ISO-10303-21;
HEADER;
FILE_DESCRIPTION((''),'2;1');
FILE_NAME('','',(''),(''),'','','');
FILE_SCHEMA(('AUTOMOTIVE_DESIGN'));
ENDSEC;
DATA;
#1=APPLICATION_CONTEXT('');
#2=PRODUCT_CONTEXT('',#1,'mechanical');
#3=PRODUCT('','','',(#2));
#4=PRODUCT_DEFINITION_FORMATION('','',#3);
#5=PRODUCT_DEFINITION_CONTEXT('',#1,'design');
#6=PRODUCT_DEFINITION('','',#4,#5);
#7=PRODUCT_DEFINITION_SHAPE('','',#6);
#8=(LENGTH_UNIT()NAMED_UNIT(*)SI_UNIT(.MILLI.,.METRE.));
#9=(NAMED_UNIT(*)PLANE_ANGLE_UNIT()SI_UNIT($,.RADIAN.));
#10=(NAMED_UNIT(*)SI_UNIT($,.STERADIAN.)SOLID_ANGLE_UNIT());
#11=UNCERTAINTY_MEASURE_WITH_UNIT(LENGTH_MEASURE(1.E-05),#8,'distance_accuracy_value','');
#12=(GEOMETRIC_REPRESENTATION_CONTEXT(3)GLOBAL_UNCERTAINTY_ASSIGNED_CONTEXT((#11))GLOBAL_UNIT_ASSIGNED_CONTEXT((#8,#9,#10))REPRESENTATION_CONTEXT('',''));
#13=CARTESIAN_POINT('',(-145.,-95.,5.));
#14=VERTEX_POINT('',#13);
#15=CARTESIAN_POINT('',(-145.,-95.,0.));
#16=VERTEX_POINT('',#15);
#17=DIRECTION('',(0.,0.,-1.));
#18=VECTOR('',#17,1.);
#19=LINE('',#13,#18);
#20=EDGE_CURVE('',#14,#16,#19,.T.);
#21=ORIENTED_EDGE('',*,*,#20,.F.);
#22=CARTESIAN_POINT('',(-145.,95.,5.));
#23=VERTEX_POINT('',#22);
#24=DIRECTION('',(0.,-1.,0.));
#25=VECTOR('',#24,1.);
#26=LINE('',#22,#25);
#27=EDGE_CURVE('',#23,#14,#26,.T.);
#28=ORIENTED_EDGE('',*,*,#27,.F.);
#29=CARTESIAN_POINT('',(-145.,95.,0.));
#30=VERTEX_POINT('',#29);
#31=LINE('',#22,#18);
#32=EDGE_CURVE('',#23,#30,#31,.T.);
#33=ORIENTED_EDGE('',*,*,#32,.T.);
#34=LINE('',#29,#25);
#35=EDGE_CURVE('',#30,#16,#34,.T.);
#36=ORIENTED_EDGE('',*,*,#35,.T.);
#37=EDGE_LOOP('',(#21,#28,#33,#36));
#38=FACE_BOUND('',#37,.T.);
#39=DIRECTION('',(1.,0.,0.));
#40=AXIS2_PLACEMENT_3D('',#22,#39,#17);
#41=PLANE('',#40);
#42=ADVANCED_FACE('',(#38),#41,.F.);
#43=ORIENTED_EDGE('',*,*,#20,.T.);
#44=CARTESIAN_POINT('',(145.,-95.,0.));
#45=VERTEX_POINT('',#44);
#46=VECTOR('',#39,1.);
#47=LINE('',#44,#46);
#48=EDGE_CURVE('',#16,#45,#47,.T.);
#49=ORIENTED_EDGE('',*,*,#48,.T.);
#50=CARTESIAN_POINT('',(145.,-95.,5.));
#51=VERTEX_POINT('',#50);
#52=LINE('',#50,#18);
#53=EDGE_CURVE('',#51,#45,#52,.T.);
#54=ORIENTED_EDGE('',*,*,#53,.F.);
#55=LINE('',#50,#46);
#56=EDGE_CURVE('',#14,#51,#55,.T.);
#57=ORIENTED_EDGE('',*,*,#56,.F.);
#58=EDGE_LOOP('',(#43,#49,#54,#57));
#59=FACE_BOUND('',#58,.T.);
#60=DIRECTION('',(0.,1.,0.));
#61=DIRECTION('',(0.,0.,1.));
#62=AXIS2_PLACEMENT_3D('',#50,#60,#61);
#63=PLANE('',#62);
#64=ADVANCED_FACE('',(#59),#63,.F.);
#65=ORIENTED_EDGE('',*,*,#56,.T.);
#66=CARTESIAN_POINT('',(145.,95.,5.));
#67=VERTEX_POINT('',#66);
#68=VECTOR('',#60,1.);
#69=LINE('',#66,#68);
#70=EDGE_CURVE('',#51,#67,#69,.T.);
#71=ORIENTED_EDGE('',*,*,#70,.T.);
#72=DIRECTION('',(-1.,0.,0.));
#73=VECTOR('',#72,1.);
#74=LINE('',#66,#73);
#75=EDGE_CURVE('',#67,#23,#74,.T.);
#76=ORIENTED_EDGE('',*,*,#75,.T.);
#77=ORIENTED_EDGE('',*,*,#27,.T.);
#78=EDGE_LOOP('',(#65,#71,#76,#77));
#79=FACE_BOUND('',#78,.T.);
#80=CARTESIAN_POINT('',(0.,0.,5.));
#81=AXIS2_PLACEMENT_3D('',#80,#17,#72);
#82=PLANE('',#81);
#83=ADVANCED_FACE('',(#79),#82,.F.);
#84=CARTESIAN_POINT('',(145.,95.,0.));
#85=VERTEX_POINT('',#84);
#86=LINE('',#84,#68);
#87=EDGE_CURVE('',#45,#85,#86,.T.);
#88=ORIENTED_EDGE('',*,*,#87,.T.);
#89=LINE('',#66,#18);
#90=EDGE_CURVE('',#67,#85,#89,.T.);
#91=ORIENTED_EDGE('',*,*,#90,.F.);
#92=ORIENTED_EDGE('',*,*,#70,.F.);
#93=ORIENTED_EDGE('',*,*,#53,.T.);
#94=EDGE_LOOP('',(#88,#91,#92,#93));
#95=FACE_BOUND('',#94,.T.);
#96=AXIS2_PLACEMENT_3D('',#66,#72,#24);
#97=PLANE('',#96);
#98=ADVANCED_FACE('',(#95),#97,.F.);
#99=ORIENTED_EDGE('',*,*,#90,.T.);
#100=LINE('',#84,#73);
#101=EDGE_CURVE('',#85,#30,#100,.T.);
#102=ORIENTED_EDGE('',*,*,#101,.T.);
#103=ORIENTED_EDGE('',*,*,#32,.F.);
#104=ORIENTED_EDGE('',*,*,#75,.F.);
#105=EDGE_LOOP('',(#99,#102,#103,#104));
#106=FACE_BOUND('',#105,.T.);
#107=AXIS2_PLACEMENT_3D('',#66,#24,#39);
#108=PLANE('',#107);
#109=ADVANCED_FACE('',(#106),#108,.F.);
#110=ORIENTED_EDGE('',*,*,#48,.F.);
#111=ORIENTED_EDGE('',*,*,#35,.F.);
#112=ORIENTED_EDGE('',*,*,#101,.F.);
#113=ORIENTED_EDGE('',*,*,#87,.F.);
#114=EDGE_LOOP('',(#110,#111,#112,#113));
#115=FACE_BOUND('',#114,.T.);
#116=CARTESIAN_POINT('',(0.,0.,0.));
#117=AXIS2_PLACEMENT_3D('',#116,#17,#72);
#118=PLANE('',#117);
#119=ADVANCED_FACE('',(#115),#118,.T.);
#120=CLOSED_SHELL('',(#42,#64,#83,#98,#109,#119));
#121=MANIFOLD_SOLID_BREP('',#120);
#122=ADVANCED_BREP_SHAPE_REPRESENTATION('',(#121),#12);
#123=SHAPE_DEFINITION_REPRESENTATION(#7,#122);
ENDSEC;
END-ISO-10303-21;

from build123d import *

# Parameters (mm, degrees)
SKETCH_1_W      = 290
SKETCH_1_H      = 190
EXTRUDE_1_DEPTH = 5


with BuildPart() as part:
    # Эскиз1 → Бобышка-Вытянуть1 (new body)
    with BuildSketch(Plane.XY):
        Rectangle(SKETCH_1_W, SKETCH_1_H)
    extrude(amount=EXTRUDE_1_DEPTH)


solid = part.part
